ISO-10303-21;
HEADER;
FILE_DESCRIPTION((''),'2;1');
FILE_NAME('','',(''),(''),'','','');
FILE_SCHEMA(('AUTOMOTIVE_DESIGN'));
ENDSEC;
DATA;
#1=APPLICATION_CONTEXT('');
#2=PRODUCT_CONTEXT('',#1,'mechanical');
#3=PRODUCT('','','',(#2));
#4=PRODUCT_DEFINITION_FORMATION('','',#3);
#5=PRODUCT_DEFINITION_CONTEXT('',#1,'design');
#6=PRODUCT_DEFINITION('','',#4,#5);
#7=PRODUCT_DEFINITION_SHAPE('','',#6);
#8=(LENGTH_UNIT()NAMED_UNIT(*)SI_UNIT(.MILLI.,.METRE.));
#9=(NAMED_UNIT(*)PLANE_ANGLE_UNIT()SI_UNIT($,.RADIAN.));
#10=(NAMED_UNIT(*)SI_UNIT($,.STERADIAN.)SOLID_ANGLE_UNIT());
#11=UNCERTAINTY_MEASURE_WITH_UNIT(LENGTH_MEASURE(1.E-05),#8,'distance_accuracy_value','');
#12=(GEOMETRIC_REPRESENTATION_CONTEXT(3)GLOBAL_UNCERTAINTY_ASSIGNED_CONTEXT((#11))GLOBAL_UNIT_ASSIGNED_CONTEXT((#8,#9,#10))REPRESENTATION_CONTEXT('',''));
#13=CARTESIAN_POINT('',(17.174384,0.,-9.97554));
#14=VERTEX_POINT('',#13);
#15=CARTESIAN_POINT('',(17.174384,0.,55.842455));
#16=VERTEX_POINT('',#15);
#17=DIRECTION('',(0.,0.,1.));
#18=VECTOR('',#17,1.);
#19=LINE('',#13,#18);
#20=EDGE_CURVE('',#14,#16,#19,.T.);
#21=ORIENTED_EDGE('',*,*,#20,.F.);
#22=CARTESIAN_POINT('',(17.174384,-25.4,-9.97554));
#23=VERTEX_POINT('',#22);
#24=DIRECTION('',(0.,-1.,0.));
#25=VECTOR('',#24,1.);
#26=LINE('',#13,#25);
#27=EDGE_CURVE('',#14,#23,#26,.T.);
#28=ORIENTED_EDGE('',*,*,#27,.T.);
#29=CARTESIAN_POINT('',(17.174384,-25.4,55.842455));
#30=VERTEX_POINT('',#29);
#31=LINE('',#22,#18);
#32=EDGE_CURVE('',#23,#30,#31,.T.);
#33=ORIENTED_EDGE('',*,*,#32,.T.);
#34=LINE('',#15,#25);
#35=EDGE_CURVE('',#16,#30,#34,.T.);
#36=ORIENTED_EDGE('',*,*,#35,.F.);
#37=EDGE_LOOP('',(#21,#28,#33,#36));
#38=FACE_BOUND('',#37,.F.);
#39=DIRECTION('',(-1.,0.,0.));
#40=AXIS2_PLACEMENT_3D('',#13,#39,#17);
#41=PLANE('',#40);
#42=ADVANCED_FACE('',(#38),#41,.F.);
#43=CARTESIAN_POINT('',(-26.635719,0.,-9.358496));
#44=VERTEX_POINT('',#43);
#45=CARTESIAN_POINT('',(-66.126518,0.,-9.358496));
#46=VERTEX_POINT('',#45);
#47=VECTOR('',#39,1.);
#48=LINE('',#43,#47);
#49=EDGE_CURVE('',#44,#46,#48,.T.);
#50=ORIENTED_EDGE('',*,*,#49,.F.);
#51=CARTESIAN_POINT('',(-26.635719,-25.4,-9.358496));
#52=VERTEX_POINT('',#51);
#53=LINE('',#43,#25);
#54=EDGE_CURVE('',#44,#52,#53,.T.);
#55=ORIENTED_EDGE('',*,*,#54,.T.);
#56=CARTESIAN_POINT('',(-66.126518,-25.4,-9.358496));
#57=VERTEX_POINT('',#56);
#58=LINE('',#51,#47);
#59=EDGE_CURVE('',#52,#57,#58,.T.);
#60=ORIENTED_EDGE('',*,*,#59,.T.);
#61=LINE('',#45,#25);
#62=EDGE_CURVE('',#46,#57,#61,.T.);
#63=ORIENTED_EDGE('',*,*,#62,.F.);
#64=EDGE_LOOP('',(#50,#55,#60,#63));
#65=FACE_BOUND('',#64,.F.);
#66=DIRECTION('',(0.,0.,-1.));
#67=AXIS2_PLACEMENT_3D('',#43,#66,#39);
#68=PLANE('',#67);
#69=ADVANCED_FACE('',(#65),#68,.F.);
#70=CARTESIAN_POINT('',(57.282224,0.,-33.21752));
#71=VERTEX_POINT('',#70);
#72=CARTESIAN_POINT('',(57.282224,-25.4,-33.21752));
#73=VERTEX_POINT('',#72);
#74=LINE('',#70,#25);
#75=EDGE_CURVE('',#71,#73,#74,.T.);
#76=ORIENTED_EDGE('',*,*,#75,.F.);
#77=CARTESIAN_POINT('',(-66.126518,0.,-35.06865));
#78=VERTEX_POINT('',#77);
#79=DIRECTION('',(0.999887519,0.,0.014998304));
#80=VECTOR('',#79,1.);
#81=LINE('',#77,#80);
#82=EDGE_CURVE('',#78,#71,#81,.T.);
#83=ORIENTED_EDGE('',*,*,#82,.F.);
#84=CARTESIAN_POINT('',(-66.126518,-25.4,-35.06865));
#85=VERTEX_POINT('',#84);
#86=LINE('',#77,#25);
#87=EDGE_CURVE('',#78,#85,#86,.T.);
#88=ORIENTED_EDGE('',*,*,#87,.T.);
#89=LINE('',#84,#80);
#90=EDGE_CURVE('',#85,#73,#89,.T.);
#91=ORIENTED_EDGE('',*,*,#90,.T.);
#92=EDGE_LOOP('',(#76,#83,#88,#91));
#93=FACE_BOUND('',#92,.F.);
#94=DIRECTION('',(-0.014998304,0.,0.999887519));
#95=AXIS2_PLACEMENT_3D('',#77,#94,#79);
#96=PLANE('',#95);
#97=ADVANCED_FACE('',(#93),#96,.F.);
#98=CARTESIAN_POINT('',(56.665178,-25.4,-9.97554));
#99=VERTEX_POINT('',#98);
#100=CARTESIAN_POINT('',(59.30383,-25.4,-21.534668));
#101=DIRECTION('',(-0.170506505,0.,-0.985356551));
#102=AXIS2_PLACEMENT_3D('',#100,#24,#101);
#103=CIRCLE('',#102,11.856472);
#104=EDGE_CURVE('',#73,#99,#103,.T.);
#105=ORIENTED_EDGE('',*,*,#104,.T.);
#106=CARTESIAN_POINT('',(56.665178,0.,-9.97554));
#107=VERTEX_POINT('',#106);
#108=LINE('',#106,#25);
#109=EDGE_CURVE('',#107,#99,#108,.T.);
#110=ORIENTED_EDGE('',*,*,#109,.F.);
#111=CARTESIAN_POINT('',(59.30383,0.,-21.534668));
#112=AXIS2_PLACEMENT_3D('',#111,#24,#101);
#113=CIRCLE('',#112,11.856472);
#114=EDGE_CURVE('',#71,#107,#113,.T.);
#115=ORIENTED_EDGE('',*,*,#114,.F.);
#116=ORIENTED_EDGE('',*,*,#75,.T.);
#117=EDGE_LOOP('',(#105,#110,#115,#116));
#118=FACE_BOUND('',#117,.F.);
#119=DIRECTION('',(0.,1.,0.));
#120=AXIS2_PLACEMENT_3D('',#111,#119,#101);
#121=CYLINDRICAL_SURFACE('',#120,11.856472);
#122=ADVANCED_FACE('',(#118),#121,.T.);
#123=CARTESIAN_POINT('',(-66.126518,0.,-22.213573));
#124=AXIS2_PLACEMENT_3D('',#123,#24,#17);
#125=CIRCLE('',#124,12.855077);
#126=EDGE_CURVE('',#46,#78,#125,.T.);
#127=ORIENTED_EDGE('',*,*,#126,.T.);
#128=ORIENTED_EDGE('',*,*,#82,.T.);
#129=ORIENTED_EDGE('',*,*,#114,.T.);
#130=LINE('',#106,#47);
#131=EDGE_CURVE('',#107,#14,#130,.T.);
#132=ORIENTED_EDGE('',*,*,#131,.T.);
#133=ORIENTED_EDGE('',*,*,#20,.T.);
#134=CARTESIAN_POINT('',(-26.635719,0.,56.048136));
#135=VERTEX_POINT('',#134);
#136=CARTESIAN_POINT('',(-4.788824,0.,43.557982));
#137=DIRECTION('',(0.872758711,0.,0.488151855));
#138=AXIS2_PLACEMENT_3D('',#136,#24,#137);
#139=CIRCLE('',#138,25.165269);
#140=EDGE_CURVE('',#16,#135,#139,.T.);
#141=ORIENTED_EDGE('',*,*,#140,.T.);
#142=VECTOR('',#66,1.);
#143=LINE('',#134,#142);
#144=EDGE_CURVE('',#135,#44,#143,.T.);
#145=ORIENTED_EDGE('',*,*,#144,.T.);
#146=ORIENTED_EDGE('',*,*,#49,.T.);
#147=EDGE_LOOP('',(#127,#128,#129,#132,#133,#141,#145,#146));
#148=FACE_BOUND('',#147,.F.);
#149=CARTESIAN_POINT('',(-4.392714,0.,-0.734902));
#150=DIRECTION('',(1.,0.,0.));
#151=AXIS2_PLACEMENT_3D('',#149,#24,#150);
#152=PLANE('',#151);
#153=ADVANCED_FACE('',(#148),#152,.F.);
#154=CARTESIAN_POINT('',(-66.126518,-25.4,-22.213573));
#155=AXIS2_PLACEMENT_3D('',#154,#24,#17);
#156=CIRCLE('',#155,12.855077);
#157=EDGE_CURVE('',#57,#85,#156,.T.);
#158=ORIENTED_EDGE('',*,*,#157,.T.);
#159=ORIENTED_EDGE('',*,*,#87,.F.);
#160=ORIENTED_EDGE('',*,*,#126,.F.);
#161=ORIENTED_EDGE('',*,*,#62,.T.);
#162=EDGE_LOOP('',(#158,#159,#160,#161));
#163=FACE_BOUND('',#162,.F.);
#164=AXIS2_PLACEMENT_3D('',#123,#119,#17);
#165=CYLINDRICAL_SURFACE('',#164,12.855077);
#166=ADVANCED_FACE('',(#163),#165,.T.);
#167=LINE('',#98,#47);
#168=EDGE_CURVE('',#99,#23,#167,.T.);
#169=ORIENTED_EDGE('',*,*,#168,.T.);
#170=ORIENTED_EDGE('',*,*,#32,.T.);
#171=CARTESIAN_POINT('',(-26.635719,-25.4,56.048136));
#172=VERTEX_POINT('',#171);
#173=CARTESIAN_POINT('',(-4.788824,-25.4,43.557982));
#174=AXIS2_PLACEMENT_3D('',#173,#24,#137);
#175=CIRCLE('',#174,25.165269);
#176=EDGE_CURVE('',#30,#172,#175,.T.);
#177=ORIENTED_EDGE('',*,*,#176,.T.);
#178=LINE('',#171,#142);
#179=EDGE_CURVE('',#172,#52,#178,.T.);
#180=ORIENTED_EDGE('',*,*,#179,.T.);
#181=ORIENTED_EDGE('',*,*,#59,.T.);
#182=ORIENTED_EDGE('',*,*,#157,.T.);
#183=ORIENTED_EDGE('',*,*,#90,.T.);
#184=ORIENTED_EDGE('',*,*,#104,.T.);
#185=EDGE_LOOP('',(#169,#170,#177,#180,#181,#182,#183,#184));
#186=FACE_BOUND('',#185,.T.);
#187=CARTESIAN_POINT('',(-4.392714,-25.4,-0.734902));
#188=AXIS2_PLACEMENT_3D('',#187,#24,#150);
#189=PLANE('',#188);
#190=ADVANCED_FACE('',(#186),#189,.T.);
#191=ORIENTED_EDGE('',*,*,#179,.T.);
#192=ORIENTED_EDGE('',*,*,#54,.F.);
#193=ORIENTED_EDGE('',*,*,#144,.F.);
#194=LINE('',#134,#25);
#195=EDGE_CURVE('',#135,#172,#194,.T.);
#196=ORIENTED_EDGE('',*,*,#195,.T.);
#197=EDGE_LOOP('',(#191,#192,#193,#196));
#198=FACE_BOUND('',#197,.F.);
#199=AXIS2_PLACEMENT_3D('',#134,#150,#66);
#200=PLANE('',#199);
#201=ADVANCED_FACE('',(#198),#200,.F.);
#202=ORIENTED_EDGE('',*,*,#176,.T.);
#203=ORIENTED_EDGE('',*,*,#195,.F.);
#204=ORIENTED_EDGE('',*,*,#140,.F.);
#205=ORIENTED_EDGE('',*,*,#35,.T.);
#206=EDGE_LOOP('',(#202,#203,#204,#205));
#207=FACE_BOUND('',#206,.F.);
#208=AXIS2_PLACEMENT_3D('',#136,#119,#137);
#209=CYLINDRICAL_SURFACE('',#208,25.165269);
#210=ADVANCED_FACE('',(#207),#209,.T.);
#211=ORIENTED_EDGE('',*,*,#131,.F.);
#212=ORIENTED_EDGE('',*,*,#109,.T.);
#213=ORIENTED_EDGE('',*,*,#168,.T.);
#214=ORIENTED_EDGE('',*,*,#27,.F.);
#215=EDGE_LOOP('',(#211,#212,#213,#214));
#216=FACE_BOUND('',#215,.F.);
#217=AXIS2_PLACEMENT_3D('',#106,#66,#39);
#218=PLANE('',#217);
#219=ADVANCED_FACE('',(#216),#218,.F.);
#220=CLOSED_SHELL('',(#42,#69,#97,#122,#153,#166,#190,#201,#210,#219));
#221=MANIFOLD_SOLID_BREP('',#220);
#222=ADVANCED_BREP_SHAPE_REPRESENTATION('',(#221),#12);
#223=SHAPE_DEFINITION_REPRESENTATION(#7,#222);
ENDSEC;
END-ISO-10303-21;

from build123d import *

# Parameters (mm, degrees)
F1_DEPTH = 25.4


with BuildPart() as f1:
    # F0 (on Front) → F1 (new body)
    with BuildSketch(Plane.XZ):
        with BuildLine():
            Line((-26.635719, 56.048136), (-26.635719, -9.358496))
            Line((-26.635719, -9.358496), (-59.750397, -9.358496))
            Line((-59.750397, -9.358496), (-66.126518, -9.358496))
            ThreePointArc((-66.126518, -9.358496), (-78.981595, -22.213573), (-66.126518, -35.06865))
            Line((-66.126518, -35.06865), (57.282224, -33.21752))
            ThreePointArc((57.282224, -33.21752), (71.156125, -21.220004), (56.665178, -9.97554))
            Line((56.665178, -9.97554), (17.174384, -9.97554))
            Line((17.174384, -9.97554), (17.174384, 55.842455))
            ThreePointArc((17.174384, 55.842455), (-4.670679, 68.722974), (-26.635719, 56.048136))
        make_face()
    extrude(amount=F1_DEPTH)


solid = f1.part
